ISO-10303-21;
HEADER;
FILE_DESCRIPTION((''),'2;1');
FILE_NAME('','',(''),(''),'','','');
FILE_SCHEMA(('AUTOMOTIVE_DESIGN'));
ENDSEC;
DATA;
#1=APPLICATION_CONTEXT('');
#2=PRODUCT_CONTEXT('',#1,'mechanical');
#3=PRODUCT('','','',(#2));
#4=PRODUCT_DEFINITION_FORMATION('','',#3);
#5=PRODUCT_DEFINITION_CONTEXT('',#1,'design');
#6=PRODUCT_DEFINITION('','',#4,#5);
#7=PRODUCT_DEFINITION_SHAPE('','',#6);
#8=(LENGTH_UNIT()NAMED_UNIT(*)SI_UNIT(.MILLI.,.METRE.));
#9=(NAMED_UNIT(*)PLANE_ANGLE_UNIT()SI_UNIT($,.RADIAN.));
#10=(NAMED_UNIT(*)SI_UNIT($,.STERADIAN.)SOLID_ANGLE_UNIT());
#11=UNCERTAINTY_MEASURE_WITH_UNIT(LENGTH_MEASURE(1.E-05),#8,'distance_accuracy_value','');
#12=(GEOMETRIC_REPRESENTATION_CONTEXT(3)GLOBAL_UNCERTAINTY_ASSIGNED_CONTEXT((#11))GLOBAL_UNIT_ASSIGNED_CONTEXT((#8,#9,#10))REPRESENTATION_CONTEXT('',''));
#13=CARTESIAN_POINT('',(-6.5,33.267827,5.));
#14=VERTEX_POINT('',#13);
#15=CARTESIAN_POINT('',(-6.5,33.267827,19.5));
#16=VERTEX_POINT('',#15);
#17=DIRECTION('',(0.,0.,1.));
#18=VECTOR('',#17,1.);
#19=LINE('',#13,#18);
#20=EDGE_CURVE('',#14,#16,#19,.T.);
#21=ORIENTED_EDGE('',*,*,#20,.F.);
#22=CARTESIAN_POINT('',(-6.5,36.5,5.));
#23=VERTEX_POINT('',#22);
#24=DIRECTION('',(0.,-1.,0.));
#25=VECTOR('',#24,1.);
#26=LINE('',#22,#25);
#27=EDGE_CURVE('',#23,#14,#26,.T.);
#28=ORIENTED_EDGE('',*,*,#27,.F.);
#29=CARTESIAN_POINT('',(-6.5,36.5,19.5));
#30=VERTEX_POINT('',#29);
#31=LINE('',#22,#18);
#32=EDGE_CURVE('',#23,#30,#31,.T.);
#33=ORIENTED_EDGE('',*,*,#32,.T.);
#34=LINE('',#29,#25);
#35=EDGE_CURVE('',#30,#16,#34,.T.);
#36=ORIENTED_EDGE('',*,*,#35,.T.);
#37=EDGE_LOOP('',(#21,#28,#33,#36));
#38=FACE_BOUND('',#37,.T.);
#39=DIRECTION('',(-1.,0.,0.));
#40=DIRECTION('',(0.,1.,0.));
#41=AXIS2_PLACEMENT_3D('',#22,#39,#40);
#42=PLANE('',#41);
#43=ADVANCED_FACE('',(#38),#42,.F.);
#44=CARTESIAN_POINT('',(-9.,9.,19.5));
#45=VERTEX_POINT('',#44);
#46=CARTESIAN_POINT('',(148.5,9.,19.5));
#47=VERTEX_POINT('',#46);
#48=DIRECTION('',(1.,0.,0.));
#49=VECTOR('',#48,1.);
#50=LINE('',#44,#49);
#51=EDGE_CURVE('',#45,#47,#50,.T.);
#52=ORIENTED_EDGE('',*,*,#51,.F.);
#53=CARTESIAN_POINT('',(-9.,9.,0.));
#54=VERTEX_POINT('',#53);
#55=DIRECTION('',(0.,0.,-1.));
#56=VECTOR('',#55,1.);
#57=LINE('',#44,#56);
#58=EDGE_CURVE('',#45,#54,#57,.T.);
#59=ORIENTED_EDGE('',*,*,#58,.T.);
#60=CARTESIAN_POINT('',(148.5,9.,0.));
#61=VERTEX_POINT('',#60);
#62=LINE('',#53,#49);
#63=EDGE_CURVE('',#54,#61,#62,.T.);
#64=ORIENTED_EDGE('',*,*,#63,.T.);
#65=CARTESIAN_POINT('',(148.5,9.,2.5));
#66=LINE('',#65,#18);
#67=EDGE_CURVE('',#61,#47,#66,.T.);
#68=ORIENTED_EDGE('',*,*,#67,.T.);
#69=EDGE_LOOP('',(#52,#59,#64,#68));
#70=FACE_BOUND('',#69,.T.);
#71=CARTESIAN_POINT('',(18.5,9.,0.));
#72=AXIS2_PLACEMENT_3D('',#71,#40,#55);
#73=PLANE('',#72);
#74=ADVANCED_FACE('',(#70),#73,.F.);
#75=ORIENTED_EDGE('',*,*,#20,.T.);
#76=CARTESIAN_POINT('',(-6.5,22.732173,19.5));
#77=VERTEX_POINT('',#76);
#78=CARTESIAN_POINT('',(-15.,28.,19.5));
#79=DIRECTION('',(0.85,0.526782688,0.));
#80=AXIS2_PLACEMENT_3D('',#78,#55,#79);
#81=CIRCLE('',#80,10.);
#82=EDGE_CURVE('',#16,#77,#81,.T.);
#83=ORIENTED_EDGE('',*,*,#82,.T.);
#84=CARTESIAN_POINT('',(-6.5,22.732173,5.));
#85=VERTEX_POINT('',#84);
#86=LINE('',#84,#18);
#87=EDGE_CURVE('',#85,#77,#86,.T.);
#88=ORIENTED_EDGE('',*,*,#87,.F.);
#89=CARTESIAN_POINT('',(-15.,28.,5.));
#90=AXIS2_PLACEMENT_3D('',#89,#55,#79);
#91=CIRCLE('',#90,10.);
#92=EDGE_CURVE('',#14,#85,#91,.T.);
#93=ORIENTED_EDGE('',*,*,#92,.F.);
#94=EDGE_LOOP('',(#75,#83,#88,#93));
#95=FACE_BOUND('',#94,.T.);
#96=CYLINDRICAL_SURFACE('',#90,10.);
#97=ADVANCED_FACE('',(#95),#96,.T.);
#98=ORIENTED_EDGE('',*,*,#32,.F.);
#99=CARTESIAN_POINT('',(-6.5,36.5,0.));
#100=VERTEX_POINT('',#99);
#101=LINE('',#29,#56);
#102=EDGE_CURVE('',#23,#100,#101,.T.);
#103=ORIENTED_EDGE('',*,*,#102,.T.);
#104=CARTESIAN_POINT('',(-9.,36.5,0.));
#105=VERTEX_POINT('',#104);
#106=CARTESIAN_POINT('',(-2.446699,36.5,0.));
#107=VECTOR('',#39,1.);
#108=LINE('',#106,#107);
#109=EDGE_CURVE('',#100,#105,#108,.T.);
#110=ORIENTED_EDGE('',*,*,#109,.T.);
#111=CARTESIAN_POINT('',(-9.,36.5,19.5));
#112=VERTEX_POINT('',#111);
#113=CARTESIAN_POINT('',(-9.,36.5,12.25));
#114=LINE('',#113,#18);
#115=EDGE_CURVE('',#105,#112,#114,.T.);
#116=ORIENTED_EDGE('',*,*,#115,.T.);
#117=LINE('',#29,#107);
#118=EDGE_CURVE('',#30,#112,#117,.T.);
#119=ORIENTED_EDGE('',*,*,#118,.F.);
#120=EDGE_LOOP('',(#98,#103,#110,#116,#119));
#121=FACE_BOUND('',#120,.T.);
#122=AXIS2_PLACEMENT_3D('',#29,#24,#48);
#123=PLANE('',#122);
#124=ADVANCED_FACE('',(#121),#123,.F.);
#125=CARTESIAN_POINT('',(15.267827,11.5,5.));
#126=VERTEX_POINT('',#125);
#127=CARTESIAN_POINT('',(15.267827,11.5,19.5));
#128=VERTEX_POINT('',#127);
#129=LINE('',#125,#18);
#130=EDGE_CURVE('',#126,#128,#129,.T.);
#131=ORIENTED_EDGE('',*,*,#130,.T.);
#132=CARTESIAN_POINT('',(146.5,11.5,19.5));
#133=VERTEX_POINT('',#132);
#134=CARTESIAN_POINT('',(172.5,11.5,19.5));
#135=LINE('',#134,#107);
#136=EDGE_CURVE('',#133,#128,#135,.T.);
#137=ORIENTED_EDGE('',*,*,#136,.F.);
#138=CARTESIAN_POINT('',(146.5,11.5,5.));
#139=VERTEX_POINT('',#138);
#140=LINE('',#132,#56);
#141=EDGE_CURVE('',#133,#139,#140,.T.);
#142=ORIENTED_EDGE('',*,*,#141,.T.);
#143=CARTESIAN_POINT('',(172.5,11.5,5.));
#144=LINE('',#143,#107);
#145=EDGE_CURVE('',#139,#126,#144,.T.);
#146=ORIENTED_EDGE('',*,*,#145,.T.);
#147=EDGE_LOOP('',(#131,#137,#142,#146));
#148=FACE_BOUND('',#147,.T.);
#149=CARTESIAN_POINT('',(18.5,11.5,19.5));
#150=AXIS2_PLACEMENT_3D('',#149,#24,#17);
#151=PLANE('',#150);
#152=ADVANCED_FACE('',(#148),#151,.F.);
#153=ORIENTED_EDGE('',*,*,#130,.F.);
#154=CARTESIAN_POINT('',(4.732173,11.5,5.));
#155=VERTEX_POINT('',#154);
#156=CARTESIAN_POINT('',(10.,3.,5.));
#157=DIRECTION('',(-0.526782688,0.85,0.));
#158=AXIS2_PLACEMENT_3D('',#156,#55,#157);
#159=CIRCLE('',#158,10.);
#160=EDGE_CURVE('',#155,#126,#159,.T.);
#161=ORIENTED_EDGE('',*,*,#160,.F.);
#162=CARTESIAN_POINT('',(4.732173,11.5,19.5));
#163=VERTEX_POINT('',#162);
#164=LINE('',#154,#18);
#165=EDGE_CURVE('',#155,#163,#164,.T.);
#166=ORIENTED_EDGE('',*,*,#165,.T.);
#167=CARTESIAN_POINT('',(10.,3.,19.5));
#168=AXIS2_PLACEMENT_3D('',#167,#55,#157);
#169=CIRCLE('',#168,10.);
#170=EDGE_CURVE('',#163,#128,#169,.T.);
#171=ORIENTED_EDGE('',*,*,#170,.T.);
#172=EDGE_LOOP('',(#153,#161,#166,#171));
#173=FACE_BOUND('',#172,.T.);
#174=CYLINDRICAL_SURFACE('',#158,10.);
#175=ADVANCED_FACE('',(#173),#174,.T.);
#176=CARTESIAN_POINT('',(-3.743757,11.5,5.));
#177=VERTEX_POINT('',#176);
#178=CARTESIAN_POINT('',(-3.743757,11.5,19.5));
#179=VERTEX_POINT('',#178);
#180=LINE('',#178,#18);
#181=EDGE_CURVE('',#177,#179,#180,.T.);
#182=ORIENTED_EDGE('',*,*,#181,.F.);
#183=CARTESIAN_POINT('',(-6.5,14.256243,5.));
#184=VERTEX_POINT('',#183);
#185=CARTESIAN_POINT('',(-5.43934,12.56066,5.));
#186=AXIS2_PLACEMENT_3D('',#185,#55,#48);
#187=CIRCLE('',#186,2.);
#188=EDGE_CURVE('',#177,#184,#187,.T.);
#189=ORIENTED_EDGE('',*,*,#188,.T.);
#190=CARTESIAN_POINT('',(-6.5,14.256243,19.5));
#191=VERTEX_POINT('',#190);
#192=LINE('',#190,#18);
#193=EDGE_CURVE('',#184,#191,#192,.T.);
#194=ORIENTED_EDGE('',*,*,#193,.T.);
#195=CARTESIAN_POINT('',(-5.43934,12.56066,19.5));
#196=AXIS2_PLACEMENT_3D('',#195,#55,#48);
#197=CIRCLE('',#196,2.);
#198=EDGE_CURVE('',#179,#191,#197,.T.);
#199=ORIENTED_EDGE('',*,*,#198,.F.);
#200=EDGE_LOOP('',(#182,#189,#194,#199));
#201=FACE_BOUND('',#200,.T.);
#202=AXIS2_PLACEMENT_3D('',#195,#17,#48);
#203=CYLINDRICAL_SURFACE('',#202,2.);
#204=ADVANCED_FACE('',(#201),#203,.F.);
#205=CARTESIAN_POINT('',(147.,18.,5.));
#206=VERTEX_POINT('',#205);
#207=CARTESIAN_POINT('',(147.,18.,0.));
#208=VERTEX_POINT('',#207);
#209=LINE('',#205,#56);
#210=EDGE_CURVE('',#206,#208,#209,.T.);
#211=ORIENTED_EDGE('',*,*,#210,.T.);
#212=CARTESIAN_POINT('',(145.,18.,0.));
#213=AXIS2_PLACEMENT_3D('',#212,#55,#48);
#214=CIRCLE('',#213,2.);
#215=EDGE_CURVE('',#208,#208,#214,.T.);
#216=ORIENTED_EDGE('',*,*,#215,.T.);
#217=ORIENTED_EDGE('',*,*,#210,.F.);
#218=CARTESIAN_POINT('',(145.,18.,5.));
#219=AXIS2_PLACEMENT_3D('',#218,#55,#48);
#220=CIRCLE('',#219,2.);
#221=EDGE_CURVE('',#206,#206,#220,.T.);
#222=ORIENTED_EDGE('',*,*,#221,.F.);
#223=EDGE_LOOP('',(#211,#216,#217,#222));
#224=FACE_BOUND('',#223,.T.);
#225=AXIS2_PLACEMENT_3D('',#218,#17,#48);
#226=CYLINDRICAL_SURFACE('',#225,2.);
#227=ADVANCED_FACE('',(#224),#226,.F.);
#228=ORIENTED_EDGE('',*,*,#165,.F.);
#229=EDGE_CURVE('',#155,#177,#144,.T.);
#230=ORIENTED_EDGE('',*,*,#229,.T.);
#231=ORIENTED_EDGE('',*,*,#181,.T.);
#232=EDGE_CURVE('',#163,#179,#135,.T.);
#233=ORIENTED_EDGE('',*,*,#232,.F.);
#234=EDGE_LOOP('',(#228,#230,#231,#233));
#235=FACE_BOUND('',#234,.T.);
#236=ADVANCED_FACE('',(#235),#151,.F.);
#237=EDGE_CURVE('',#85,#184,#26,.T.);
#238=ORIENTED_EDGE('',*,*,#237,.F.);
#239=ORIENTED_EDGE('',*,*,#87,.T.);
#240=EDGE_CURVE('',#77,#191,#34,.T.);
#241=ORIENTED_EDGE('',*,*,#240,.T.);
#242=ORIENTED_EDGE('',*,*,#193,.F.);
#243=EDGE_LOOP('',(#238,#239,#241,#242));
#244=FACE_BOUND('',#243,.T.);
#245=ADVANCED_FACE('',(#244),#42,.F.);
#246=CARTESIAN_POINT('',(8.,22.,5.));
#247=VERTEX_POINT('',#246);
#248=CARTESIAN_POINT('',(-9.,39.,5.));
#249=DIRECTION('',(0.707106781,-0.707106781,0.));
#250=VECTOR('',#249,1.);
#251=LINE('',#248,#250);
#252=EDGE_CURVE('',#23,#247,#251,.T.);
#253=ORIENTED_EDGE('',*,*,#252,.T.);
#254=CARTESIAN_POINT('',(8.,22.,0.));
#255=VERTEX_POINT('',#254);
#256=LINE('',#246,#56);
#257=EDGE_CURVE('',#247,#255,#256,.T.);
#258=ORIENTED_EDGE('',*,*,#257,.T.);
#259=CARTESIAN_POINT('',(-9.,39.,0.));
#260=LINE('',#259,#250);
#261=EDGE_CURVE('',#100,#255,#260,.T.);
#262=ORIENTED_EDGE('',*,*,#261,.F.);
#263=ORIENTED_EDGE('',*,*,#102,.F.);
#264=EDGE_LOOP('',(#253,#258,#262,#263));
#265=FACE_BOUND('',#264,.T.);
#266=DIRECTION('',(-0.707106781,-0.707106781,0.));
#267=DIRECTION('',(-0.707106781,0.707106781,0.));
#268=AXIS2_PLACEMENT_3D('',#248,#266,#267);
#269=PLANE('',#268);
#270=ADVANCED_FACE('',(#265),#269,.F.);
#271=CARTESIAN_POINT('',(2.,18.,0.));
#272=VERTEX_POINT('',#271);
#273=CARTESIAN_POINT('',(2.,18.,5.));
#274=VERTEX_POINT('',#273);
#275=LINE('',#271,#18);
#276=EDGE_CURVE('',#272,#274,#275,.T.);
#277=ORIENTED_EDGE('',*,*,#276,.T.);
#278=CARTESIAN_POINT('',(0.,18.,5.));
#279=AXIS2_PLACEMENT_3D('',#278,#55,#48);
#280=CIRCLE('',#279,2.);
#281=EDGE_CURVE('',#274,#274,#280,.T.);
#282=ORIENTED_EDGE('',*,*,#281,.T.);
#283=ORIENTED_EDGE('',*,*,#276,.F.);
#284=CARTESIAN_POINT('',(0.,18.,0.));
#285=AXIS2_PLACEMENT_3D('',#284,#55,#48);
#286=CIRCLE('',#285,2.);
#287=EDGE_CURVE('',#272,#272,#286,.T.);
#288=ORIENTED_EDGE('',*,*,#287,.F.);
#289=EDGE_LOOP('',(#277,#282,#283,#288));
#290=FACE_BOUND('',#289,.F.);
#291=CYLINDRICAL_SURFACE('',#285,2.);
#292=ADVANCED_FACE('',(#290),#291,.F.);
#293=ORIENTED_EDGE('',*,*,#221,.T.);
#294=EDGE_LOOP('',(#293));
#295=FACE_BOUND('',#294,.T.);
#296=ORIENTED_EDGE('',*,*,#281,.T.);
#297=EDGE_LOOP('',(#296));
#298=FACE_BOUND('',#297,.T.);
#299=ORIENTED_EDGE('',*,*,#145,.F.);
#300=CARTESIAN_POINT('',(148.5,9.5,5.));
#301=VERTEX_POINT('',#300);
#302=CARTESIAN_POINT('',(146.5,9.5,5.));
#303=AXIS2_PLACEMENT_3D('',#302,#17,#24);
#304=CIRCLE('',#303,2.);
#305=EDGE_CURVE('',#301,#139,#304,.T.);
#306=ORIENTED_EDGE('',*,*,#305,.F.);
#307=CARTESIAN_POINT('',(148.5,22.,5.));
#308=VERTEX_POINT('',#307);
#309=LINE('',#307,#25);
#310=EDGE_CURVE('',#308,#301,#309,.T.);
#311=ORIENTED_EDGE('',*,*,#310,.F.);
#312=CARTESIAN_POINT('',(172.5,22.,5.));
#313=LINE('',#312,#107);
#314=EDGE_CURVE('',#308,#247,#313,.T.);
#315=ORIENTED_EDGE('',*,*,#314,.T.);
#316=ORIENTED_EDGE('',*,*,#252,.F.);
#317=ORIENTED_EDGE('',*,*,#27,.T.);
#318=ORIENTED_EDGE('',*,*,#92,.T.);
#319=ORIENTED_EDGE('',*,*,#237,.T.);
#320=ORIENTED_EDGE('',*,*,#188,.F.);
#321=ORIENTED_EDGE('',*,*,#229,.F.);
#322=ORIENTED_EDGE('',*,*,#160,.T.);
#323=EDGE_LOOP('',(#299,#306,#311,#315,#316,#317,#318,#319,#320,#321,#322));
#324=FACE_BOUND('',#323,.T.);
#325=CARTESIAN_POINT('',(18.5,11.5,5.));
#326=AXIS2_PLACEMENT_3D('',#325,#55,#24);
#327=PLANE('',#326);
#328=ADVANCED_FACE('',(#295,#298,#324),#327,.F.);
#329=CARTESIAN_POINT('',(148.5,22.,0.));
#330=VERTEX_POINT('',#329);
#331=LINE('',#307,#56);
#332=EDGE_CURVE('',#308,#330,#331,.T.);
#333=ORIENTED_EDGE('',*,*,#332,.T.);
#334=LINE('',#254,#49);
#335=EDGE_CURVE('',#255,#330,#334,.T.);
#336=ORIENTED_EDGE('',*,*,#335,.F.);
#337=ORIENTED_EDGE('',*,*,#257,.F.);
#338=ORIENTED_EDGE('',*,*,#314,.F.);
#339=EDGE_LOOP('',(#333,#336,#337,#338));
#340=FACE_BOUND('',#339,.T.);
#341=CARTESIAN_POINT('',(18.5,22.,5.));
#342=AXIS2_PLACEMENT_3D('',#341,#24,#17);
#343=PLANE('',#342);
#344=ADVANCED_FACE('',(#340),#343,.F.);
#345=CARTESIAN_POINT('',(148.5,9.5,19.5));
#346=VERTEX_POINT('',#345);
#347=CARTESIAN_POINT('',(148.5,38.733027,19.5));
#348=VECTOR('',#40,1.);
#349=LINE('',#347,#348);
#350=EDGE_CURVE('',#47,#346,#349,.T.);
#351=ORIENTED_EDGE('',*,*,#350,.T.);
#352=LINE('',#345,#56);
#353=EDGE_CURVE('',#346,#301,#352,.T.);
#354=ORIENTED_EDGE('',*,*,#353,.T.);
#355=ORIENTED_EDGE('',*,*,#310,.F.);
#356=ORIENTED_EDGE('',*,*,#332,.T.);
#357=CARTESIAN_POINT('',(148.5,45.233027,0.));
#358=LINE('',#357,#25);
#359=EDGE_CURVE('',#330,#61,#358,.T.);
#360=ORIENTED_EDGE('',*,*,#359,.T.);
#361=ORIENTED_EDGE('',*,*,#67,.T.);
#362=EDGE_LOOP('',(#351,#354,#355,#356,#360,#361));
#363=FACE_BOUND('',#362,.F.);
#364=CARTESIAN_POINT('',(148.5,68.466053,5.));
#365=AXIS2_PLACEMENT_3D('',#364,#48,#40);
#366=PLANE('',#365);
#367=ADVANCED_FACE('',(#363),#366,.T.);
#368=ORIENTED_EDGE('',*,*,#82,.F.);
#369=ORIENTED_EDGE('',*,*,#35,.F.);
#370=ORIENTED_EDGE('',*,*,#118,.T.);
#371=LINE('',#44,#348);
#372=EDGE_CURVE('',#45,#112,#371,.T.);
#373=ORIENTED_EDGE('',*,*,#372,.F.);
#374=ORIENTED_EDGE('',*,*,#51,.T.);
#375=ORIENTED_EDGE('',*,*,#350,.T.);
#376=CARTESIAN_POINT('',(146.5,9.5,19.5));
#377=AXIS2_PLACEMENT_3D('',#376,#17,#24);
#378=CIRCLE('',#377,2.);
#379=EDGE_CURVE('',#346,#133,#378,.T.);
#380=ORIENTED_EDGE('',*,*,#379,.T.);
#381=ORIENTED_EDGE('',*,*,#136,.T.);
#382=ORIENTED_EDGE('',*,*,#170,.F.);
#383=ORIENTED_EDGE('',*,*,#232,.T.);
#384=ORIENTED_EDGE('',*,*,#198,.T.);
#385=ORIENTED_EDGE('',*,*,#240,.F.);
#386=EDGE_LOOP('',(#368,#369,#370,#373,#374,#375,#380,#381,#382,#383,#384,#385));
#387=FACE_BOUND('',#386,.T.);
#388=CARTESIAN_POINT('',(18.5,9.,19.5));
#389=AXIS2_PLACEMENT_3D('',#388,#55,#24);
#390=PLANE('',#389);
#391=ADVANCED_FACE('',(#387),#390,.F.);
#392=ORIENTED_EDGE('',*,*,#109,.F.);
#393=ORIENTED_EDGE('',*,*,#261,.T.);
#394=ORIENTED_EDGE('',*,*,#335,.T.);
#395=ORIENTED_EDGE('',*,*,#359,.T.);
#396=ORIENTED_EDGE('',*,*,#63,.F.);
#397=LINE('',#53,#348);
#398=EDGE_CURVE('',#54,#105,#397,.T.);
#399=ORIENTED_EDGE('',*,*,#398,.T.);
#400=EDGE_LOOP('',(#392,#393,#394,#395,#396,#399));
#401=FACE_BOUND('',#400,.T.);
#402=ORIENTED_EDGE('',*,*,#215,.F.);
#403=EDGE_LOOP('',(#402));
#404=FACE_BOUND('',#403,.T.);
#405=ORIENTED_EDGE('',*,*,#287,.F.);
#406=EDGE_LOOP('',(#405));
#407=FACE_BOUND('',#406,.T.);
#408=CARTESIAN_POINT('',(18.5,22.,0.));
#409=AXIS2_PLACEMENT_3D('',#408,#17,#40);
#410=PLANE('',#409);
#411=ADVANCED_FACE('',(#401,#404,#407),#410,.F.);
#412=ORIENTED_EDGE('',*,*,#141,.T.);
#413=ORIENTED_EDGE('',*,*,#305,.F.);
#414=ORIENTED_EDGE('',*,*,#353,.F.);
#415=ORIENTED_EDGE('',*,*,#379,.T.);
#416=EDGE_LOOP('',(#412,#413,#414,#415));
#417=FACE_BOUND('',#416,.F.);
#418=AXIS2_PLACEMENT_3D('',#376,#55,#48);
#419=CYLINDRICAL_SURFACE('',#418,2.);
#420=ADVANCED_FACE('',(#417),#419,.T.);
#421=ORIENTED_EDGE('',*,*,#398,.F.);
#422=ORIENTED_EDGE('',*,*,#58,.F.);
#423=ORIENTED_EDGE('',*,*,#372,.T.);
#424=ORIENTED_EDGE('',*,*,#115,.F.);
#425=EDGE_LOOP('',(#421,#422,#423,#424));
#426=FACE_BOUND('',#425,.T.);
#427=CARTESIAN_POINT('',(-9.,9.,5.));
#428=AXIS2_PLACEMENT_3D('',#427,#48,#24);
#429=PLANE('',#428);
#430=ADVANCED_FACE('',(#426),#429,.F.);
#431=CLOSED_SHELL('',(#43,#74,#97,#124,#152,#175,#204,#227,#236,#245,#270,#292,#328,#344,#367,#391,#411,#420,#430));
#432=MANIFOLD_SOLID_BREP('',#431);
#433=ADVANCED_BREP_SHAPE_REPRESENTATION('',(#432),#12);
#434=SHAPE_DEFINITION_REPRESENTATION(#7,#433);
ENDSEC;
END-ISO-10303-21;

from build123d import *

# Parameters (mm, degrees)
F0_R      = 2
F1_DEPTH  = 5
F3_DEPTH  = 14.5
F4_R      = 2
F5_DEPTH  = 14.5
F7_DEPTH  = 25
F9_DEPTH  = 5
F11_DEPTH = 154
F12_R     = 2
F12_W     = 44.045060873
F12_H     = 72.3597388715
F13_DEPTH = 15
F15_DEPTH = 14.5
F16_R     = 2


with BuildPart() as f1:
    # F0 (on Top) → F1 (new body)
    with BuildSketch(Plane.XY):
        Polygon((-9, 9), (-9, -21), (21, 9), align=None)
        Circle(F0_R, mode=Mode.SUBTRACT)
    extrude(amount=F1_DEPTH)

    # F2 (on face) → F3 (join)
    with BuildSketch(Plane.XY.offset(5)):
        Polygon((-9, 9), (-9, -21), (-6.5, -18.5), (-6.5, 6.5), (18.5, 6.5), (21, 9), align=None)
    extrude(amount=F3_DEPTH)

    # F4 (on face) → F5 (cut, through all)
    with BuildSketch(Plane.XY.offset(19.5)):
        with Locations((-5.4393398282, 5.4393398282)):
            Circle(F4_R)
    extrude(amount=-F5_DEPTH, mode=Mode.SUBTRACT)

    # F6 (on face) → F7 (cut)
    with BuildSketch(Plane.XY.offset(19.5)):
        Polygon((18.5, 18.9713805318), (18.5, 6.5), (25.3656071275, -18.5), (25.3656071275, 18.9713805318), align=None)
        Polygon((-4.8339825459, -31.5633218139), (-6.5, -18.5), (-15.6000002623, -18.5), (-15.6000002623, -31.5633218139), align=None)
    extrude(amount=-F7_DEPTH, mode=Mode.SUBTRACT)

    # F8 (on face) → F9 (join, through all)
    with BuildSketch(Plane.XY.offset(5)):
        Polygon((18.5, -4), (18.5, 6.5), (8, -4), align=None)
    extrude(amount=-F9_DEPTH)

    # F10 (on face) → F11 (join)
    with BuildSketch(Plane.YZ.offset(18.5)):
        Polygon((-4, 5), (-4, 0), (9, 0), (9, 19.5), (6.5, 19.5), (6.5, 5), align=None)
    extrude(amount=F11_DEPTH)

    # F12 (on face) → F13 (cut, symmetric)
    with BuildSketch(Plane.XY.offset(5)):
        with Locations((145, 0)):
            Circle(F12_R)
        with Locations((170.5225304365, -14.2861837521)):
            Rectangle(F12_W, F12_H)
    extrude(amount=F13_DEPTH, both=True, mode=Mode.SUBTRACT)

    # F14 (on face) → F15 (join, through all)
    with BuildSketch(Plane.XY.offset(5)):
        with BuildLine():
            Line((15.2678268764, 6.5), (4.7321731236, 6.5))
            ThreePointArc((4.7321731236, 6.5), (10, 5), (15.2678268764, 6.5))
        make_face()
        with BuildLine():
            Line((-6.5, -4.7321731236), (-6.5, -15.2678268764))
            ThreePointArc((-6.5, -15.2678268764), (-5, -10), (-6.5, -4.7321731236))
        make_face()
    extrude(amount=F15_DEPTH)

    # F16
    f16_edges = [f1.edges().sort_by_distance(p)[0] for p in [
        (148.5, 6.5, 12.25),
    ]]
    fillet(f16_edges, radius=F16_R)


with BuildPart() as f17_1:
    # F17: instance of F1
    add(f1.part.mirror(Plane(origin=(69.75, 9, 9.75), x_dir=(-1, 0, 0), z_dir=(0, 1, 0))))


solid = f17_1.part
